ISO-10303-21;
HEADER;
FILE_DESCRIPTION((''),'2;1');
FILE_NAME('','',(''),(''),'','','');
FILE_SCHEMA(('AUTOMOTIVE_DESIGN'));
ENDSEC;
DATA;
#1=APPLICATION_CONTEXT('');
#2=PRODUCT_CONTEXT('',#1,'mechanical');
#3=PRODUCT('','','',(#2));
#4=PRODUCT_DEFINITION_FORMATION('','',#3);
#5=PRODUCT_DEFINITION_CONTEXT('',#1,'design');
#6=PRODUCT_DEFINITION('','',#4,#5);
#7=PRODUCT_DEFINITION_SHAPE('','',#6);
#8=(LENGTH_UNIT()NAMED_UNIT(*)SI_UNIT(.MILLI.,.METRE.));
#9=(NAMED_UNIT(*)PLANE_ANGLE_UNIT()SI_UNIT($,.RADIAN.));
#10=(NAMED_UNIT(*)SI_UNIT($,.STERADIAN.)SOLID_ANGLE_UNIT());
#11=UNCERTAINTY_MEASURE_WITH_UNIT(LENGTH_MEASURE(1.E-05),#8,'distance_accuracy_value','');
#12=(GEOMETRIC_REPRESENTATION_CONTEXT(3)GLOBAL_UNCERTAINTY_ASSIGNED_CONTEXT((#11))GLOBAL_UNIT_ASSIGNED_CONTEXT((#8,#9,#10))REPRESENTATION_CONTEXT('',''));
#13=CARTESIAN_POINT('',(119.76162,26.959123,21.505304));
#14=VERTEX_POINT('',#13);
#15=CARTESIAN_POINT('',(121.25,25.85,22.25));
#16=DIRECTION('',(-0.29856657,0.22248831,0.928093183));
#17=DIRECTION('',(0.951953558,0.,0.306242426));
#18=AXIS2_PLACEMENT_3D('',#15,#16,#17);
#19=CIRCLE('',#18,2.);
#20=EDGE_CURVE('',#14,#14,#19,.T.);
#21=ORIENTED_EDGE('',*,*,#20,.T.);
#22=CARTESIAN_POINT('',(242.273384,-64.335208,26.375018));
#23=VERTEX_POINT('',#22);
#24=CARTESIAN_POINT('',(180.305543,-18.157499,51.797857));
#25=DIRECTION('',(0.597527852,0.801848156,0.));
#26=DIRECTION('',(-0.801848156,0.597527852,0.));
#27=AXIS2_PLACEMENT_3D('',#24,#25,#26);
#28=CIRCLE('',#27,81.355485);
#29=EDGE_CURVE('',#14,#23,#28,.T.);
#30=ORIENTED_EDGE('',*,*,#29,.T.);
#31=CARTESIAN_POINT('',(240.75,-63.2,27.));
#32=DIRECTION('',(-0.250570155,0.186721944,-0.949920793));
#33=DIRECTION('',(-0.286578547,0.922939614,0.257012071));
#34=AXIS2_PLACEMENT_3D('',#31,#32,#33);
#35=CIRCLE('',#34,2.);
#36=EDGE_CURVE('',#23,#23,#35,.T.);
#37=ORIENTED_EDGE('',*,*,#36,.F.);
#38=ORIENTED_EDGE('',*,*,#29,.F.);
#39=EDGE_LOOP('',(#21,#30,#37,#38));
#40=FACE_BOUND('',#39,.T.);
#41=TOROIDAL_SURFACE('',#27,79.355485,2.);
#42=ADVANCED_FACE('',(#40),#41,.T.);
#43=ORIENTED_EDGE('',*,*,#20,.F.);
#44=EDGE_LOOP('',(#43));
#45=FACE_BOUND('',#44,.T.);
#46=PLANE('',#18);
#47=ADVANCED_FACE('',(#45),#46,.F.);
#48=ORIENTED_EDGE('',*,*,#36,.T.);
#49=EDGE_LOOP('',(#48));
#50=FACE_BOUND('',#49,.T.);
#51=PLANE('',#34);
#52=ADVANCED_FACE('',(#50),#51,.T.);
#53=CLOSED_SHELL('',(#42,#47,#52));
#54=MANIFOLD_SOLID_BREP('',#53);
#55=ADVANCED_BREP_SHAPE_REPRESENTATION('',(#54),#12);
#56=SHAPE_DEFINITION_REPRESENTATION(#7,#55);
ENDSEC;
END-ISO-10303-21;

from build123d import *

# Parameters (mm, degrees)
SWEEP1_PROFILE_R = 2


with BuildPart() as part:
    # Sweep1: sweep along a path in Sketch2
    with BuildLine(Plane(origin=(55.676466286, 74.714629098, 0), x_dir=(0.8018481564112218, -0.5975278521206562, 0), z_dir=(0.5975278521206562, 0.8018481564112218, 0))) as sweep1_path:
        ThreePointArc((81.777993988, -22.25), (152.899294709, -131.113065875), (230.80870391, -27))
    # Sweep1 profile (on start of the path) → Sweep1 (sweep)
    with BuildSketch(Plane(origin=(121.25, 25.85, 22.25), x_dir=(0.9519535578094455, 0, 0.3062424264760502), z_dir=(-0.29856656964447276, 0.2224883098480332, 0.9280931825370219))):
        Circle(SWEEP1_PROFILE_R)
    sweep(path=sweep1_path.line)


solid = part.part
